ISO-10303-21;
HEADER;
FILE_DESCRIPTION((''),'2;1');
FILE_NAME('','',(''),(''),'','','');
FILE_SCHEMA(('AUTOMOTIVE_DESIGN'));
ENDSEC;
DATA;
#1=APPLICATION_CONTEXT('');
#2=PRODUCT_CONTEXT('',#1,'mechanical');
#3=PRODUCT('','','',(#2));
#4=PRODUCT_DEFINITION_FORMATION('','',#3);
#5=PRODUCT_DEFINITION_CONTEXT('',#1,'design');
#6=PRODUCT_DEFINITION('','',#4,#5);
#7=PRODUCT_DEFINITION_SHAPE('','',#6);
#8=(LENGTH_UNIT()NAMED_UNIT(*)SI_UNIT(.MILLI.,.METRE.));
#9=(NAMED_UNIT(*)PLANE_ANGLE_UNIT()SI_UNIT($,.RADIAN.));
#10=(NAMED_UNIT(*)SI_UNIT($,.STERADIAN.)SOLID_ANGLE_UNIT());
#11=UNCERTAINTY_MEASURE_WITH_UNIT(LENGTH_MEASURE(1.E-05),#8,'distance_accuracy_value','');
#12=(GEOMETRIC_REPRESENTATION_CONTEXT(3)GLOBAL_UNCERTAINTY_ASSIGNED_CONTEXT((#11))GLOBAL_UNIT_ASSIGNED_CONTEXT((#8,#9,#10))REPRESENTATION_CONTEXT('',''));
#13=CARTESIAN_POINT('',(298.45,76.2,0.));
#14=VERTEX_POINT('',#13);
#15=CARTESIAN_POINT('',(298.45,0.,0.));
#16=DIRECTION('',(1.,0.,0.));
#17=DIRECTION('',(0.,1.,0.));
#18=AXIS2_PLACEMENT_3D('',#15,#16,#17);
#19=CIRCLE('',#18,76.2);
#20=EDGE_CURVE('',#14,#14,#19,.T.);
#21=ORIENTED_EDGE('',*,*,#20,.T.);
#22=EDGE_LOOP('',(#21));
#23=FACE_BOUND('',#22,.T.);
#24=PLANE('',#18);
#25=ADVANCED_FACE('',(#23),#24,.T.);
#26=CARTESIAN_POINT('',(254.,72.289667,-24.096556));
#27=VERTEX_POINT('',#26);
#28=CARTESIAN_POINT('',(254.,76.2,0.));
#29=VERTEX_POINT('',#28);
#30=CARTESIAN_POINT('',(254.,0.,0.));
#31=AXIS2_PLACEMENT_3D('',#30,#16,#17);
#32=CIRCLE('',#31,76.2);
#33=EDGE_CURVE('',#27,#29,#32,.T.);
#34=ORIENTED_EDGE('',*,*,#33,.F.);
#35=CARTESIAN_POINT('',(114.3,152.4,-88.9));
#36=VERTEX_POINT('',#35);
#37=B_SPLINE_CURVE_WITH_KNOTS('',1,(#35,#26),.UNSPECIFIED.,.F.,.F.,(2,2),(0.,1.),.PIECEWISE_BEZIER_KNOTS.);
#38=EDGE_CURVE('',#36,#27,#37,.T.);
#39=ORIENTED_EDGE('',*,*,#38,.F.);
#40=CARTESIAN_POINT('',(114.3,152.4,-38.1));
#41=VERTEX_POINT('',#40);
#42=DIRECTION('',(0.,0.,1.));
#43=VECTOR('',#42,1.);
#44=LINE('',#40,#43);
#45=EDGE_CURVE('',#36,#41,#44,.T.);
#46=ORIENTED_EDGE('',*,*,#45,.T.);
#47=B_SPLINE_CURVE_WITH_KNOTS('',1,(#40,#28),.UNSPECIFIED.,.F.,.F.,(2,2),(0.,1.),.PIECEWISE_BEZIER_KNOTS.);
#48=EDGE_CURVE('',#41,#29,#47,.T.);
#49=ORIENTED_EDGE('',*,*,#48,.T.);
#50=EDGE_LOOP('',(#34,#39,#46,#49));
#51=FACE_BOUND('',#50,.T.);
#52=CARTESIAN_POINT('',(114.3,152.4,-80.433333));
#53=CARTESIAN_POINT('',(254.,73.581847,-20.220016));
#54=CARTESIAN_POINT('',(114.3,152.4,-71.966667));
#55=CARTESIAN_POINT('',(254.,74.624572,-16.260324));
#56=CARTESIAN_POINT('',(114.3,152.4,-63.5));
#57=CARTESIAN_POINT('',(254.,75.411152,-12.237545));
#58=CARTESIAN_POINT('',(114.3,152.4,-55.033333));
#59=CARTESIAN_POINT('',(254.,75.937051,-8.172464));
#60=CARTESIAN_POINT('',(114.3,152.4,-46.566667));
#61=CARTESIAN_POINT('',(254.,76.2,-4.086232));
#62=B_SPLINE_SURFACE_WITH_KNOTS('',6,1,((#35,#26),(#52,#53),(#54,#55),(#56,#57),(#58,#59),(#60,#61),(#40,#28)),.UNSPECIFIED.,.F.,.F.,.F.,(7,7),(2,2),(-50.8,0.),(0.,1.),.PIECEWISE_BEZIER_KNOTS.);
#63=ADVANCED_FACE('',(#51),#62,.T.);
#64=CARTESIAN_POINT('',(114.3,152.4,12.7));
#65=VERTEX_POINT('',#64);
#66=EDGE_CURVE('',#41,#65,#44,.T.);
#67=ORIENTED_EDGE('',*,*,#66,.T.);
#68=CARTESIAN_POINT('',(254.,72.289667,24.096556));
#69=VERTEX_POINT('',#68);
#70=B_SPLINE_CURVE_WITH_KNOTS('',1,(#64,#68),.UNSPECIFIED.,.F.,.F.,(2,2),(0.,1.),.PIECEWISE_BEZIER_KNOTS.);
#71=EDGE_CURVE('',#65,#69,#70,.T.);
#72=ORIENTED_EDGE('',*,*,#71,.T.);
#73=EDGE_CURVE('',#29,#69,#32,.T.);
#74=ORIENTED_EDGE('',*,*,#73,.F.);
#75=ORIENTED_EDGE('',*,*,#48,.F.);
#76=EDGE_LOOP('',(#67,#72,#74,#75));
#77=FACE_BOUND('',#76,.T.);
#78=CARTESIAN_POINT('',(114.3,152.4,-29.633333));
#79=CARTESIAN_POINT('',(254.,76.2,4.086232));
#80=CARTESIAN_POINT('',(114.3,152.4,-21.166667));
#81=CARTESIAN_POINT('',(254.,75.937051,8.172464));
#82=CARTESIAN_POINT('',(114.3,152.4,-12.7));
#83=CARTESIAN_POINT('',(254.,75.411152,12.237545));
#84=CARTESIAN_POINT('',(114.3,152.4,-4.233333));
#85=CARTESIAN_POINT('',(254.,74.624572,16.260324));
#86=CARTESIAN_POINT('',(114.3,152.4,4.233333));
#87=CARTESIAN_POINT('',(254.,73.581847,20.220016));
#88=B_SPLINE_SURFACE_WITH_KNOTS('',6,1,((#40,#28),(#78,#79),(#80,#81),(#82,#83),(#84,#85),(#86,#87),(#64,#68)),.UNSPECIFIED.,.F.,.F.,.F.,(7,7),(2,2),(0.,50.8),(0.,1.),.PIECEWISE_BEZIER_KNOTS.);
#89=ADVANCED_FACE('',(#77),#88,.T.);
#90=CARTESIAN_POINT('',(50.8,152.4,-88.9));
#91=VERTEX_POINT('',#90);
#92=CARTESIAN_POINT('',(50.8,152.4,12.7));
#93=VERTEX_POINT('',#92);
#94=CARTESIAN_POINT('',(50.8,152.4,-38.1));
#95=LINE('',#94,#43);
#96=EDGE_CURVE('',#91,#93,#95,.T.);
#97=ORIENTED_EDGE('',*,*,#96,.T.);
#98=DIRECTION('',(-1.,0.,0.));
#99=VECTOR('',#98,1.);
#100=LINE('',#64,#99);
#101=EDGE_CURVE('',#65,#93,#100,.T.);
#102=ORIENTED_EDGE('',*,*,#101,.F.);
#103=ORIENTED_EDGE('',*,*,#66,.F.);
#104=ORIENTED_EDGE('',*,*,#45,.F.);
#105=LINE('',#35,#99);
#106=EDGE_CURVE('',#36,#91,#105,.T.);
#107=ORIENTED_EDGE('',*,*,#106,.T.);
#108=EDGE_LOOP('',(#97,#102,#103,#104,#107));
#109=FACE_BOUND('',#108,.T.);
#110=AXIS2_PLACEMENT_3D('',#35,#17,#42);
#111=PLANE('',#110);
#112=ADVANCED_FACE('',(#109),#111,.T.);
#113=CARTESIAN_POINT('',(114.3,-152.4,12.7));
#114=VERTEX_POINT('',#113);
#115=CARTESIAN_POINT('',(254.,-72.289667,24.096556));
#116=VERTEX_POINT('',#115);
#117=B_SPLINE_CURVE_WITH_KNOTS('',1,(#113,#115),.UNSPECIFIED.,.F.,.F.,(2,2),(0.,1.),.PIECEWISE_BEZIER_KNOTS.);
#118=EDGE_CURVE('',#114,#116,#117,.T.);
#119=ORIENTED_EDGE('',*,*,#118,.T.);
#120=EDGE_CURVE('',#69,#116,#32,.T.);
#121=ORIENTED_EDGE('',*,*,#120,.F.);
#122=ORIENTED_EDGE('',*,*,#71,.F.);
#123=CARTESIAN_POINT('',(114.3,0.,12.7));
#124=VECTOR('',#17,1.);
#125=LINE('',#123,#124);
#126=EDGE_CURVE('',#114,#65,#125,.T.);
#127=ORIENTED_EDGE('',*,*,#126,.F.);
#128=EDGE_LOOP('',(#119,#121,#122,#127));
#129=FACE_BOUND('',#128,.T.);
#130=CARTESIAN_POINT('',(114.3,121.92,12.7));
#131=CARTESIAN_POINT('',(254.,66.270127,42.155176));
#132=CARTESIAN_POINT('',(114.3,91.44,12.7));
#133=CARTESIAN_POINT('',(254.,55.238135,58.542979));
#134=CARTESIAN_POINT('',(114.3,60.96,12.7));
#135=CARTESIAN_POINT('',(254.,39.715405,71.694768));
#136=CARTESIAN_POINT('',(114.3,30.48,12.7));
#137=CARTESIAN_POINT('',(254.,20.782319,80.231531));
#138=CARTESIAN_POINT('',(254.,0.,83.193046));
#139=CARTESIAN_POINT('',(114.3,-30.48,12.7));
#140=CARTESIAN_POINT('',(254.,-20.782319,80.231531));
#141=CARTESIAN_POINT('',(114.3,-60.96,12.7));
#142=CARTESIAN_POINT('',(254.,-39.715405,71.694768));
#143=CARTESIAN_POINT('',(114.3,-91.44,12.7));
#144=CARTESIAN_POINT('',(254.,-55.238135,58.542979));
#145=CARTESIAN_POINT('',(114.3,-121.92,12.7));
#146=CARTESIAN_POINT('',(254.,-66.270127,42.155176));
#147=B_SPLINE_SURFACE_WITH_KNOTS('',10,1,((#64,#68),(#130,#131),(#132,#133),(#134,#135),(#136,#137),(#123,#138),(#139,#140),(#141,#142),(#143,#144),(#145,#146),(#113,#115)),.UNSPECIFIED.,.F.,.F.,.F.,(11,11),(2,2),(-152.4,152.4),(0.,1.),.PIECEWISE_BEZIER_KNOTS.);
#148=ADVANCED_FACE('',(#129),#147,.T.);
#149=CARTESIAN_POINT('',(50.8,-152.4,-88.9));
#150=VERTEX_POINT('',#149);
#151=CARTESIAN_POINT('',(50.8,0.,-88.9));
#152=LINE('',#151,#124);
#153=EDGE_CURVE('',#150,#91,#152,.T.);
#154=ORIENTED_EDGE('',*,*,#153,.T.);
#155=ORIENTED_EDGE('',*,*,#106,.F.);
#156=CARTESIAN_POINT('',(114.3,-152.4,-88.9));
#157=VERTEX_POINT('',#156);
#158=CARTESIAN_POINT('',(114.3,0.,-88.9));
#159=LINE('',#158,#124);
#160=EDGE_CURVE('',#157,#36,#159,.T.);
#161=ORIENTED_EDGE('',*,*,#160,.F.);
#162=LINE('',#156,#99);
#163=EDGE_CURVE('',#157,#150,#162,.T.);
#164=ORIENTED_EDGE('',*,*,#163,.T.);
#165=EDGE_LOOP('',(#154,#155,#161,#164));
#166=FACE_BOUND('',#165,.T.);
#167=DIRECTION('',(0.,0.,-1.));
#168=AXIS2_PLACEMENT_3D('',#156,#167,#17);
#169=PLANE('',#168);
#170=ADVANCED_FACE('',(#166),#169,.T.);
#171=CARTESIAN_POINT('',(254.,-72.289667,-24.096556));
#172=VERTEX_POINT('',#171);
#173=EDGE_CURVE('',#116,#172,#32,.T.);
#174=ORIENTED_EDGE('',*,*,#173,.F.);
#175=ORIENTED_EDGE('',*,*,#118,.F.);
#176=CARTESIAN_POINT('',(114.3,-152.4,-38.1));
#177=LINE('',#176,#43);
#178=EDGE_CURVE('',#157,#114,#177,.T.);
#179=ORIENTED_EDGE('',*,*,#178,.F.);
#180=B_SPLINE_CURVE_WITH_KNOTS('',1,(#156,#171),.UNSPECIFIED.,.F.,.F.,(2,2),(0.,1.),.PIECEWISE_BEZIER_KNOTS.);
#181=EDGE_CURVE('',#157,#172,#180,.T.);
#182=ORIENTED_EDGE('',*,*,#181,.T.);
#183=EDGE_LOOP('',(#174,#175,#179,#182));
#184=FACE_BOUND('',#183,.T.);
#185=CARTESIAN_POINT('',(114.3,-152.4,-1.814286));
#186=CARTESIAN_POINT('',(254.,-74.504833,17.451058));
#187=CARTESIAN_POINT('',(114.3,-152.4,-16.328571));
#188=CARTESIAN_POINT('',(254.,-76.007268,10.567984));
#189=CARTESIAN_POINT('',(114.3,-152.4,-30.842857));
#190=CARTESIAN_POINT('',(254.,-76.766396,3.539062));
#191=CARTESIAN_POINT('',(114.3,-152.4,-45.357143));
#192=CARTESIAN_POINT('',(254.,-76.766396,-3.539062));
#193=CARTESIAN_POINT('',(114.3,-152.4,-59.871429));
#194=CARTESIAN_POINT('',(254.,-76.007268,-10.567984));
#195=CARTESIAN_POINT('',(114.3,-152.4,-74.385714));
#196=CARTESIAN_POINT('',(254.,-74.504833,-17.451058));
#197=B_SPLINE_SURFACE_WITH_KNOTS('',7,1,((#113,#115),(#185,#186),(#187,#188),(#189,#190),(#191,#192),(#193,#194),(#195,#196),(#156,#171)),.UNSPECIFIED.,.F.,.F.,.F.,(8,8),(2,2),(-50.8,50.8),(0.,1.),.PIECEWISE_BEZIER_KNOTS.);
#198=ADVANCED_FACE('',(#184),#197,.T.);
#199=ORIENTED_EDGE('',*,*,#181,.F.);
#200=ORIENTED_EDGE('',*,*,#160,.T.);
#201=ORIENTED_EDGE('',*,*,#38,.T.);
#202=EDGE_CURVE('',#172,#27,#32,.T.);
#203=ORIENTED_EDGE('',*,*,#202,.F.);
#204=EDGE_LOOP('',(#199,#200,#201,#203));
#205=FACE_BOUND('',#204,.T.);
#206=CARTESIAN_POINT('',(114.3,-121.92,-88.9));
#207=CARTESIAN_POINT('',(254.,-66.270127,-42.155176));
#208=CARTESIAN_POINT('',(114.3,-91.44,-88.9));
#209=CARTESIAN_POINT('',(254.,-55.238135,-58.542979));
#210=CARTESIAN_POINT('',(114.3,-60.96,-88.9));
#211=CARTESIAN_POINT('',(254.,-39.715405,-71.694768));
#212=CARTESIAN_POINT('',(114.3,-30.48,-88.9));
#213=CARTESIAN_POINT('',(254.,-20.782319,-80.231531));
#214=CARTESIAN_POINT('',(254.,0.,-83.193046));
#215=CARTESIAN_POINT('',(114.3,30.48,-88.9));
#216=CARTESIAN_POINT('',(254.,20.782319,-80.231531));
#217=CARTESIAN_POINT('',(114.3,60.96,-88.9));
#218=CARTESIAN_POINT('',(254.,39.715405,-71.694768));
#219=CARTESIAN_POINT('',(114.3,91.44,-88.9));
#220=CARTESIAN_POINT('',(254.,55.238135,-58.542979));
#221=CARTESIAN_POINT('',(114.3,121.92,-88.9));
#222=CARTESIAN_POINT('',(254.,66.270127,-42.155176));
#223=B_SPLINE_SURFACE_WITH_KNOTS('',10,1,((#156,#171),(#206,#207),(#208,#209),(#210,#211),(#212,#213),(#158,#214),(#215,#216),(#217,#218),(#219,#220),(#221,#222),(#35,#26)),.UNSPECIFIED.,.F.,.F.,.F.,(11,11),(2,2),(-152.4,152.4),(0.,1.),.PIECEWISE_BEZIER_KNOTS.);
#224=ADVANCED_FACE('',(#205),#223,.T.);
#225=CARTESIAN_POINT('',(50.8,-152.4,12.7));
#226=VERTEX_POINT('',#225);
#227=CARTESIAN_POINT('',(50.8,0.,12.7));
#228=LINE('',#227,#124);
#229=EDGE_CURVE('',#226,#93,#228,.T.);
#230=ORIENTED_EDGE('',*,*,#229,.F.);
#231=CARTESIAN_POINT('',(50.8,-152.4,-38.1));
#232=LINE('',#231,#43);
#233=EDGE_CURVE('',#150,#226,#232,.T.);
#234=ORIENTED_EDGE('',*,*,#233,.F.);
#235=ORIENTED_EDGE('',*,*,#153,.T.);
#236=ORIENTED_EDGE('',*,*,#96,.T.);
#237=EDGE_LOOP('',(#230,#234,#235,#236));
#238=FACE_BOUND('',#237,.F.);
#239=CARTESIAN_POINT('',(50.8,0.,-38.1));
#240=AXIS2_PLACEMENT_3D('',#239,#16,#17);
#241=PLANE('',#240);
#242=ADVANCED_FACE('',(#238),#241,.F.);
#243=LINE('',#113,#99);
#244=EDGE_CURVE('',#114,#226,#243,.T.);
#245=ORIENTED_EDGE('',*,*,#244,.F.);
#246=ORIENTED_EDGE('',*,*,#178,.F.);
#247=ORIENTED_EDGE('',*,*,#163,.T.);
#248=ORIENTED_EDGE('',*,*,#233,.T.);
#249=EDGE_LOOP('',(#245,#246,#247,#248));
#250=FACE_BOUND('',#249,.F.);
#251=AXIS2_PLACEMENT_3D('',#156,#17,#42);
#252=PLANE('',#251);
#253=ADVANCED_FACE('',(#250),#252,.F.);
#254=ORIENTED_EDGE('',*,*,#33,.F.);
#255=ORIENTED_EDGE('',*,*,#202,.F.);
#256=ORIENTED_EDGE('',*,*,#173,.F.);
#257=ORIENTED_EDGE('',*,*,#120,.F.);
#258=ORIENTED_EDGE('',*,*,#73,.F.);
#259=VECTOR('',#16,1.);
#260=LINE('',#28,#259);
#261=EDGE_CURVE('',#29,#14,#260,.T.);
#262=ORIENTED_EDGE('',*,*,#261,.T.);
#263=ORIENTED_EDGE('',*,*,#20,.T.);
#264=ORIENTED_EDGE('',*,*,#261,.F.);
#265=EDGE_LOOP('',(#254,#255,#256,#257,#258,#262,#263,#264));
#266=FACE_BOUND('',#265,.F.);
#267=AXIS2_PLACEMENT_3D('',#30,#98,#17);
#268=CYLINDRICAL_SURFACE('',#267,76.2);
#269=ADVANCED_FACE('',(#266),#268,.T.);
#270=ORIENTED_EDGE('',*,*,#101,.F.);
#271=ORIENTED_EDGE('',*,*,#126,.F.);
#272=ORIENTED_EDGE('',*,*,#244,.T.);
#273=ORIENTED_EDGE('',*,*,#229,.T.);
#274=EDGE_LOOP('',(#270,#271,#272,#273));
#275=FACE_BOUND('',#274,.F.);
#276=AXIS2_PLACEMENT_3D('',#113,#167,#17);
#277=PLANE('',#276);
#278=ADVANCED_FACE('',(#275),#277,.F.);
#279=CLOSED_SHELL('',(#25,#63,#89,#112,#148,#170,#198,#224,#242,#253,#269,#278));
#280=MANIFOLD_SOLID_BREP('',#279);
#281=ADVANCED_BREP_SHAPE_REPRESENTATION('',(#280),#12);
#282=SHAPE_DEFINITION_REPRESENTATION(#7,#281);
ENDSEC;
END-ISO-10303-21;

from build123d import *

# Parameters (mm, degrees)
SKETCH003_R  = 76.2
PAD001_DEPTH = 44.45
SKETCH_W     = 304.8
SKETCH_H     = 101.6
SKETCH001_R  = 76.2
SKETCH004_W  = 304.8
SKETCH004_H  = 101.6
PAD_DEPTH    = 63.5


with BuildPart() as part:
    # Sketch003 → Pad001 (new body)
    with BuildSketch(Plane.YZ.offset(254)):
        Circle(SKETCH003_R)
    extrude(amount=PAD001_DEPTH)

    # Sketch → AdditiveLoft section 0
    with BuildSketch(Plane.YZ.offset(114.3)):
        with Locations((0, -38.1)):
            Rectangle(SKETCH_W, SKETCH_H)
    # Sketch001 → AdditiveLoft section 1
    with BuildSketch(Plane.YZ.offset(254)):
        Circle(SKETCH001_R)
    loft()

    # Sketch004 → Pad (join)
    with BuildSketch(Plane.YZ.offset(114.3)):
        with Locations((0, -38.1)):
            Rectangle(SKETCH004_W, SKETCH004_H)
    extrude(amount=-PAD_DEPTH)


solid = part.part
